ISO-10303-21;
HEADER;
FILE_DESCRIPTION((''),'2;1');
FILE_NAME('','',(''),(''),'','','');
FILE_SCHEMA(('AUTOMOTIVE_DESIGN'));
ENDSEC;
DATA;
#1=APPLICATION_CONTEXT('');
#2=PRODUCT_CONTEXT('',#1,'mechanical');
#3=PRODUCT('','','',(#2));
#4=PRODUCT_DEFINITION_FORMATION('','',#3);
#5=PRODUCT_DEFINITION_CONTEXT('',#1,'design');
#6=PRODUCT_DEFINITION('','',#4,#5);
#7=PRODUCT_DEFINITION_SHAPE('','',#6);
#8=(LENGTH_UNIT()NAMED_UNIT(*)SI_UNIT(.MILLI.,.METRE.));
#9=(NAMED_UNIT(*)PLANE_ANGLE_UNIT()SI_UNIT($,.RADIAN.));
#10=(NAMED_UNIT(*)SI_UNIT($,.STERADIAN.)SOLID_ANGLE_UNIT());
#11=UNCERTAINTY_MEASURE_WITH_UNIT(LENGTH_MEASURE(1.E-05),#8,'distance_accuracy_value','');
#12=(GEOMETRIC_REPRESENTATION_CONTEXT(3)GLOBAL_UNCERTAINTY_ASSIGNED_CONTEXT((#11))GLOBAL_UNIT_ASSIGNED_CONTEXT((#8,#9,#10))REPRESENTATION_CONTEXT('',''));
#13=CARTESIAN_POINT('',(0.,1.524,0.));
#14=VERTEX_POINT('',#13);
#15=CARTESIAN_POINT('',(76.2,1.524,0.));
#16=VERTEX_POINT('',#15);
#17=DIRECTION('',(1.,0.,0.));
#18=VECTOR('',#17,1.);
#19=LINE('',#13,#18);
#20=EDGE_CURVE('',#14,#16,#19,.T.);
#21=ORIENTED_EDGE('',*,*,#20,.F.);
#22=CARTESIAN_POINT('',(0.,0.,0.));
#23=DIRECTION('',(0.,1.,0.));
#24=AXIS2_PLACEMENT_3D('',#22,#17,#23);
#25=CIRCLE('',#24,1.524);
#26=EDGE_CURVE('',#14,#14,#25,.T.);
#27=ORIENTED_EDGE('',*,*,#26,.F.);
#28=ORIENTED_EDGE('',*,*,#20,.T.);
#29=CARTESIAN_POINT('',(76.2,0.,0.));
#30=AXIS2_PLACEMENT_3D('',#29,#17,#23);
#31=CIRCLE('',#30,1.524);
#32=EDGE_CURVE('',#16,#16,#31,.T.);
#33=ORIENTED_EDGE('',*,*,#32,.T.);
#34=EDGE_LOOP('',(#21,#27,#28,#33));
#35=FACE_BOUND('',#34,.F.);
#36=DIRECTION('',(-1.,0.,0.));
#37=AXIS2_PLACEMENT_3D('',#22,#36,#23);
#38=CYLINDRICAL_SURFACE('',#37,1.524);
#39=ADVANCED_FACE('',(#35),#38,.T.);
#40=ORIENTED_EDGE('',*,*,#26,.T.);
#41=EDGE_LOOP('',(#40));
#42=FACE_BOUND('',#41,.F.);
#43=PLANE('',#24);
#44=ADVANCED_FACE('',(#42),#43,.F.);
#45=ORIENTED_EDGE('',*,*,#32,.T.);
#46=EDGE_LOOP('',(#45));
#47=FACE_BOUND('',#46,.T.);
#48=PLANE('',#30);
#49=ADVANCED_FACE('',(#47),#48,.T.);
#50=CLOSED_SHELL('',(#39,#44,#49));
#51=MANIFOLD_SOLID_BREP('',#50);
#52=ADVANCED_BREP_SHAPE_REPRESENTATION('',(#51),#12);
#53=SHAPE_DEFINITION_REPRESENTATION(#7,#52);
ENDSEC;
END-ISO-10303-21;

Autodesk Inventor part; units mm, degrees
ref_plane "YZ Plane" through (0, 0, 0) normal (1, 0, 0) x (0, 1, 0)
ref_plane "XZ Plane" through (0, 0, 0) normal (0, 1, 0) x (-1, 0, 0)
ref_plane "XY Plane" through (0, 0, 0) normal (0, 0, 1) x (1, 0, 0)
sketch "Sketch1" plane through (0, 0, 0) normal (1, 0, 0) x (0, 1, 0)
  circle A0 centre (0, 0) radius 1.524
  dimension "d0" = 3.048
extrude "Extrusion1" add sketch "Sketch1" along normal blind 76.2
properties part number "TestPeg"
